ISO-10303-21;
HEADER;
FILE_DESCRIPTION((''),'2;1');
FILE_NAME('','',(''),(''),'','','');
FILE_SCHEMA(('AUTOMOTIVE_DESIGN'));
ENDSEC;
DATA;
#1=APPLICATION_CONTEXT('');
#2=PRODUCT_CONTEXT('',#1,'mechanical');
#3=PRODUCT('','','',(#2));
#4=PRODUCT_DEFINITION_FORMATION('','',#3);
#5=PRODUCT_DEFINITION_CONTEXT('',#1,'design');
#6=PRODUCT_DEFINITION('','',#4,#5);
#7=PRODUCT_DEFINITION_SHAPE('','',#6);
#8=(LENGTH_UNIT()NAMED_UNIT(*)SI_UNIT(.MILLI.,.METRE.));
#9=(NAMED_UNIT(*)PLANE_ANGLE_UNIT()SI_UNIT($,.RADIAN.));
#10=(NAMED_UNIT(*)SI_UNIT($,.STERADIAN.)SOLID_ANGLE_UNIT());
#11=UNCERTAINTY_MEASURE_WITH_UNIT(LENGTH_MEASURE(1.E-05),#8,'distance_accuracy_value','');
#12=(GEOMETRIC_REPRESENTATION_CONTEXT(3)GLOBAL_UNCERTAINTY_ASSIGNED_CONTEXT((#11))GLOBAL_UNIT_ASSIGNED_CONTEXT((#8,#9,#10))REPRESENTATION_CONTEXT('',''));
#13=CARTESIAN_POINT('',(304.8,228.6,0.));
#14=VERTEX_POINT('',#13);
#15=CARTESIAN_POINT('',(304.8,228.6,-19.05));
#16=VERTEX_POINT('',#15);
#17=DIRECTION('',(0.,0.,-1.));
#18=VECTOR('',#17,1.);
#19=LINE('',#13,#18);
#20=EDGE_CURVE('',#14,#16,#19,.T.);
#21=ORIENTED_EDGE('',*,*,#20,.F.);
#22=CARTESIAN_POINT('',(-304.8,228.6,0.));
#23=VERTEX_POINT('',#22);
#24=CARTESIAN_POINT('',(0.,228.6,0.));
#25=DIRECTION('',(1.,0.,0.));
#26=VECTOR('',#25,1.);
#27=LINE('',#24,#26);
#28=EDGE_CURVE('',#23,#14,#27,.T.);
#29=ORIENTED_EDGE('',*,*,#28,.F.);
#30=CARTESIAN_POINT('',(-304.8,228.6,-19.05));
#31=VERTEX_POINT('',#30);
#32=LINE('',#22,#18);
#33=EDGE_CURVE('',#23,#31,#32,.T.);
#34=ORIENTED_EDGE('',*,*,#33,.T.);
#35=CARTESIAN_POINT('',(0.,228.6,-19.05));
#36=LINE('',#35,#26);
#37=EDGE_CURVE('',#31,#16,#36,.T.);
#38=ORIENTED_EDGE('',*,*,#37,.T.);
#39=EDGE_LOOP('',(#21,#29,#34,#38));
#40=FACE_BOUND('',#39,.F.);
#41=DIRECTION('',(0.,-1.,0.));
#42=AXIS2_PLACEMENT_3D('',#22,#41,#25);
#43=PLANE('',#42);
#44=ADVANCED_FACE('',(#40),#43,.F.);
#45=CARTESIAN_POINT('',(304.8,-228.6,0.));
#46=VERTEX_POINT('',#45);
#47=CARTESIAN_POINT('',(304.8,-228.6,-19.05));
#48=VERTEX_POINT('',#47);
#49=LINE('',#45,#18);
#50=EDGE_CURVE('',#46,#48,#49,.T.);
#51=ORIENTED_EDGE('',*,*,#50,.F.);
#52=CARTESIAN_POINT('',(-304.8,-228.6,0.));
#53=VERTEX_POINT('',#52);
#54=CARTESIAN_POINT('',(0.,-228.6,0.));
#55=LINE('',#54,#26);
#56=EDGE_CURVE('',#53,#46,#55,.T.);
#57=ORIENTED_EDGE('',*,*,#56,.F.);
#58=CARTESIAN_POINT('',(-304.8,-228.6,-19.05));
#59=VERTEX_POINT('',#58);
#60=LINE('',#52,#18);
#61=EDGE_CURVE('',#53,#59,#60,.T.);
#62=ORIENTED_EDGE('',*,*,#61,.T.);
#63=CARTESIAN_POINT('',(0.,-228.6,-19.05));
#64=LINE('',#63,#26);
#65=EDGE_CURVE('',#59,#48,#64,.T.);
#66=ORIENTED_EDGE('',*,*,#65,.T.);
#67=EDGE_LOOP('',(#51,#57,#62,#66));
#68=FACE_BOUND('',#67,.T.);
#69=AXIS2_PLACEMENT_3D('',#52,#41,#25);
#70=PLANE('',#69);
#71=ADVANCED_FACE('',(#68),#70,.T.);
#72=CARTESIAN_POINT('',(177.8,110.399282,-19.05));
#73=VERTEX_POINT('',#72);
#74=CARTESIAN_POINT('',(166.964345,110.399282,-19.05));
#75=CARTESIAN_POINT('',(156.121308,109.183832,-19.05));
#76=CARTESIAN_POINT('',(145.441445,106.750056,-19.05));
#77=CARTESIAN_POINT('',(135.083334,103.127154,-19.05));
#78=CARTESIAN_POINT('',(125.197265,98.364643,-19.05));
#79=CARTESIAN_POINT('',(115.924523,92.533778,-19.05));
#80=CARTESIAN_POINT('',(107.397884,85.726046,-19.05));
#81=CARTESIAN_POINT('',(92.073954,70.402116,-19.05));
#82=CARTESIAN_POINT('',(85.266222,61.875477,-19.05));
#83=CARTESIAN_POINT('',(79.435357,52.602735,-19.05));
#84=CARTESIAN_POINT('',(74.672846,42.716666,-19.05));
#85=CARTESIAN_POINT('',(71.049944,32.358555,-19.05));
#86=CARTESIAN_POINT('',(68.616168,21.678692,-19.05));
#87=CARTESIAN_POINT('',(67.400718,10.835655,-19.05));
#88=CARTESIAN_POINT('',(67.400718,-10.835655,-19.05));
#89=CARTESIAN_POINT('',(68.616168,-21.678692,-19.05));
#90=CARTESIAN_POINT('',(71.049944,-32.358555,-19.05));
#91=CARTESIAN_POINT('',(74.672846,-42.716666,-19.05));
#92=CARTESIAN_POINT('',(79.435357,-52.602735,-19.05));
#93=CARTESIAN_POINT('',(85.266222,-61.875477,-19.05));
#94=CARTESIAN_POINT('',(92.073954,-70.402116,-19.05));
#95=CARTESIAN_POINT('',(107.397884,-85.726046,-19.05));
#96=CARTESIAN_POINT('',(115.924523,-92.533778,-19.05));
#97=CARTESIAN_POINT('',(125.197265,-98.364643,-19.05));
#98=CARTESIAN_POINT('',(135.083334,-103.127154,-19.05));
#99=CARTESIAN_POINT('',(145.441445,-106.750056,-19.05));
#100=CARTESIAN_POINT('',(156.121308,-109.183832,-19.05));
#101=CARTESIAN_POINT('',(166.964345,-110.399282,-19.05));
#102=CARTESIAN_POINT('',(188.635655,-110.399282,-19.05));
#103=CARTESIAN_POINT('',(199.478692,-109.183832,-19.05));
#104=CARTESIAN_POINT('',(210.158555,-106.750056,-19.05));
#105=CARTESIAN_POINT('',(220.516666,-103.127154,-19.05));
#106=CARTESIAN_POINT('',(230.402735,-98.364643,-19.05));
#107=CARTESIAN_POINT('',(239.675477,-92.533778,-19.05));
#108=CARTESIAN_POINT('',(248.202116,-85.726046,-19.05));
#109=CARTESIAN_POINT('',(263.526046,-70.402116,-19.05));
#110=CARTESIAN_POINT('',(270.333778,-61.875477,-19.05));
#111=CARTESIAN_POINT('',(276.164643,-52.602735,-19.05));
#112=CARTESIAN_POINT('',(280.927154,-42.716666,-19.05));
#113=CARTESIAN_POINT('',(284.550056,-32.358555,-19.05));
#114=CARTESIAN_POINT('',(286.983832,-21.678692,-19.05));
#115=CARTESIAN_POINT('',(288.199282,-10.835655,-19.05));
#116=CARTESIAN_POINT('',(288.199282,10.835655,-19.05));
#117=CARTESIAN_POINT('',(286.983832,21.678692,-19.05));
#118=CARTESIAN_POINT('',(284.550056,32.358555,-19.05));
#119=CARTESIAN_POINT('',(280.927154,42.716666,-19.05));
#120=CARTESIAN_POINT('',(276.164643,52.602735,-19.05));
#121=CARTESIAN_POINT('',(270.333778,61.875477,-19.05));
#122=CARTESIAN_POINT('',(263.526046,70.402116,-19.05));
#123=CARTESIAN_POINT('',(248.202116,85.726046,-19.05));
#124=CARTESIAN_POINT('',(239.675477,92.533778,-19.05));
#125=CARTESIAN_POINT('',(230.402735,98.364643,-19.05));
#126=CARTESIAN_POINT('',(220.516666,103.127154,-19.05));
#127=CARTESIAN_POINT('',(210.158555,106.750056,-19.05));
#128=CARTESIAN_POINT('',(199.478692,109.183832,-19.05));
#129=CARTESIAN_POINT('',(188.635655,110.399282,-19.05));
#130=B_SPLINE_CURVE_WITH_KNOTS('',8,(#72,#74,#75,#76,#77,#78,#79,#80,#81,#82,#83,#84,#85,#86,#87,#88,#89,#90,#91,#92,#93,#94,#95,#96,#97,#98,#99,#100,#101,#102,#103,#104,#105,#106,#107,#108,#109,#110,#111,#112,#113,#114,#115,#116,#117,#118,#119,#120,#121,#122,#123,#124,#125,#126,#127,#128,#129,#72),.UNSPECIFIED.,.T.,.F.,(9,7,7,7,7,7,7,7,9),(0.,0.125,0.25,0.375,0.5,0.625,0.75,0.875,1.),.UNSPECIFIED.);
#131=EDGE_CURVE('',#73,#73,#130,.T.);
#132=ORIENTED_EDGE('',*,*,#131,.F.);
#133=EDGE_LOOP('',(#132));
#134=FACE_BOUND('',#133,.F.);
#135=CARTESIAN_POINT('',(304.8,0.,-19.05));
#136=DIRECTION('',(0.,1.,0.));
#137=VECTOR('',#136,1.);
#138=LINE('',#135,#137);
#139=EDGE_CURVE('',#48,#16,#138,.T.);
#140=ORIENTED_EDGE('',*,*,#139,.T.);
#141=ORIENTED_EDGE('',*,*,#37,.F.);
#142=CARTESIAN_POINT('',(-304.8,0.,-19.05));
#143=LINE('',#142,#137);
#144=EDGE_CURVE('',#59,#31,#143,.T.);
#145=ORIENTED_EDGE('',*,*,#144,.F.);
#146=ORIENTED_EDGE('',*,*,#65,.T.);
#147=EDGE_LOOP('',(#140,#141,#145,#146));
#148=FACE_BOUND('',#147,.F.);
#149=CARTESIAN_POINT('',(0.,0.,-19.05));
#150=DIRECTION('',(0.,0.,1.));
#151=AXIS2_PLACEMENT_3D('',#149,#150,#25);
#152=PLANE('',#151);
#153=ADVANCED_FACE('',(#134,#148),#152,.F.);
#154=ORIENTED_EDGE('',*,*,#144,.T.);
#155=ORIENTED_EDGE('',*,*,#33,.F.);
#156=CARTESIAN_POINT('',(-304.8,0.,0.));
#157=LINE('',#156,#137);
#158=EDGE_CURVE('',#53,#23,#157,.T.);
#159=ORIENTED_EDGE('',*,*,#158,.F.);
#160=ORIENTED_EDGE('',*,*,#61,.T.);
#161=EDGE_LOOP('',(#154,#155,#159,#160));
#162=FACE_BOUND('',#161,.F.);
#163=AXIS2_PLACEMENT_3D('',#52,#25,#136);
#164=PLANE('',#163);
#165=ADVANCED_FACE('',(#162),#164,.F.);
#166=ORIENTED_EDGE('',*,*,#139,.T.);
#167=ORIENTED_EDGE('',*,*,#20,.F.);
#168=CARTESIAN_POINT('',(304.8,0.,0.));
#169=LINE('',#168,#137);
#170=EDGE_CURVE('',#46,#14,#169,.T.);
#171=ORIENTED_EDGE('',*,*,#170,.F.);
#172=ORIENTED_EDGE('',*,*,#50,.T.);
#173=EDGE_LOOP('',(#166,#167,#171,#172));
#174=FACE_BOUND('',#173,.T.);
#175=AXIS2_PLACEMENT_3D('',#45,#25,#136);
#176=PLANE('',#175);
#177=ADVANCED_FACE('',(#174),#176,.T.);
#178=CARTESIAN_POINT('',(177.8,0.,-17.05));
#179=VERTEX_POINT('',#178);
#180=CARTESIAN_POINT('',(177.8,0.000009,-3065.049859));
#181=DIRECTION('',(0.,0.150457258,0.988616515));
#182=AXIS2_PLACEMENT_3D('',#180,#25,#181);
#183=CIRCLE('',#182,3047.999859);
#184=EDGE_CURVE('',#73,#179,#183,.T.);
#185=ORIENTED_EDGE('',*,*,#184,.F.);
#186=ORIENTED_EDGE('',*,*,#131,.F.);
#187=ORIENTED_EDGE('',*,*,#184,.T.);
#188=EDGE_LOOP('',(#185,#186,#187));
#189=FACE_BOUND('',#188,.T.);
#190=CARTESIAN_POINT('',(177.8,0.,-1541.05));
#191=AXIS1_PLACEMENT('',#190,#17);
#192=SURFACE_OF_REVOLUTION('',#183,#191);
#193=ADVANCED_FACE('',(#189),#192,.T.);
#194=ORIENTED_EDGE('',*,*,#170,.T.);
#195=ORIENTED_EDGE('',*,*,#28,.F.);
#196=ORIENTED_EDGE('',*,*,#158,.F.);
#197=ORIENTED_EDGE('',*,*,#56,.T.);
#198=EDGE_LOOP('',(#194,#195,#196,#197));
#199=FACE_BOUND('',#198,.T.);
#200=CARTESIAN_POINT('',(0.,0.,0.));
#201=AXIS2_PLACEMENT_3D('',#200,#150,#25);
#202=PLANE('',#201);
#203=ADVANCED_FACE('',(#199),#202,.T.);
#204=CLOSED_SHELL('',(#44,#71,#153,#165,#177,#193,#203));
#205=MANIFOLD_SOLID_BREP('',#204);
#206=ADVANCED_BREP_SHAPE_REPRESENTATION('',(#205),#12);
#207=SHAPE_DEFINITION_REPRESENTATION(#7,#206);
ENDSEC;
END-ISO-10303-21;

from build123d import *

# Parameters (mm, degrees)
F0_W     = 609.6
F0_H     = 457.2
F1_DEPTH = 19.05


with BuildPart() as f1:
    # F0 (on Top) → F1 (new body)
    with BuildSketch(Plane.XY):
        Rectangle(F0_W, F0_H)
    extrude(amount=-F1_DEPTH)

    # F3 (on offset) → F4 (revolve, cut)
    with BuildSketch(Plane.YZ.offset(177.8)):
        with BuildLine():
            ThreePointArc((458.59371, -51.746861), (229.952203, -25.736593), (0, -17.05))
            Line((0, -17.05), (0, -3065.05))
            Line((0, -3065.05), (458.59371, -51.746861))
        make_face()
    revolve(axis=Axis((177.8, 0, -1541.05), (0, 0, -1)), mode=Mode.SUBTRACT)


solid = f1.part
